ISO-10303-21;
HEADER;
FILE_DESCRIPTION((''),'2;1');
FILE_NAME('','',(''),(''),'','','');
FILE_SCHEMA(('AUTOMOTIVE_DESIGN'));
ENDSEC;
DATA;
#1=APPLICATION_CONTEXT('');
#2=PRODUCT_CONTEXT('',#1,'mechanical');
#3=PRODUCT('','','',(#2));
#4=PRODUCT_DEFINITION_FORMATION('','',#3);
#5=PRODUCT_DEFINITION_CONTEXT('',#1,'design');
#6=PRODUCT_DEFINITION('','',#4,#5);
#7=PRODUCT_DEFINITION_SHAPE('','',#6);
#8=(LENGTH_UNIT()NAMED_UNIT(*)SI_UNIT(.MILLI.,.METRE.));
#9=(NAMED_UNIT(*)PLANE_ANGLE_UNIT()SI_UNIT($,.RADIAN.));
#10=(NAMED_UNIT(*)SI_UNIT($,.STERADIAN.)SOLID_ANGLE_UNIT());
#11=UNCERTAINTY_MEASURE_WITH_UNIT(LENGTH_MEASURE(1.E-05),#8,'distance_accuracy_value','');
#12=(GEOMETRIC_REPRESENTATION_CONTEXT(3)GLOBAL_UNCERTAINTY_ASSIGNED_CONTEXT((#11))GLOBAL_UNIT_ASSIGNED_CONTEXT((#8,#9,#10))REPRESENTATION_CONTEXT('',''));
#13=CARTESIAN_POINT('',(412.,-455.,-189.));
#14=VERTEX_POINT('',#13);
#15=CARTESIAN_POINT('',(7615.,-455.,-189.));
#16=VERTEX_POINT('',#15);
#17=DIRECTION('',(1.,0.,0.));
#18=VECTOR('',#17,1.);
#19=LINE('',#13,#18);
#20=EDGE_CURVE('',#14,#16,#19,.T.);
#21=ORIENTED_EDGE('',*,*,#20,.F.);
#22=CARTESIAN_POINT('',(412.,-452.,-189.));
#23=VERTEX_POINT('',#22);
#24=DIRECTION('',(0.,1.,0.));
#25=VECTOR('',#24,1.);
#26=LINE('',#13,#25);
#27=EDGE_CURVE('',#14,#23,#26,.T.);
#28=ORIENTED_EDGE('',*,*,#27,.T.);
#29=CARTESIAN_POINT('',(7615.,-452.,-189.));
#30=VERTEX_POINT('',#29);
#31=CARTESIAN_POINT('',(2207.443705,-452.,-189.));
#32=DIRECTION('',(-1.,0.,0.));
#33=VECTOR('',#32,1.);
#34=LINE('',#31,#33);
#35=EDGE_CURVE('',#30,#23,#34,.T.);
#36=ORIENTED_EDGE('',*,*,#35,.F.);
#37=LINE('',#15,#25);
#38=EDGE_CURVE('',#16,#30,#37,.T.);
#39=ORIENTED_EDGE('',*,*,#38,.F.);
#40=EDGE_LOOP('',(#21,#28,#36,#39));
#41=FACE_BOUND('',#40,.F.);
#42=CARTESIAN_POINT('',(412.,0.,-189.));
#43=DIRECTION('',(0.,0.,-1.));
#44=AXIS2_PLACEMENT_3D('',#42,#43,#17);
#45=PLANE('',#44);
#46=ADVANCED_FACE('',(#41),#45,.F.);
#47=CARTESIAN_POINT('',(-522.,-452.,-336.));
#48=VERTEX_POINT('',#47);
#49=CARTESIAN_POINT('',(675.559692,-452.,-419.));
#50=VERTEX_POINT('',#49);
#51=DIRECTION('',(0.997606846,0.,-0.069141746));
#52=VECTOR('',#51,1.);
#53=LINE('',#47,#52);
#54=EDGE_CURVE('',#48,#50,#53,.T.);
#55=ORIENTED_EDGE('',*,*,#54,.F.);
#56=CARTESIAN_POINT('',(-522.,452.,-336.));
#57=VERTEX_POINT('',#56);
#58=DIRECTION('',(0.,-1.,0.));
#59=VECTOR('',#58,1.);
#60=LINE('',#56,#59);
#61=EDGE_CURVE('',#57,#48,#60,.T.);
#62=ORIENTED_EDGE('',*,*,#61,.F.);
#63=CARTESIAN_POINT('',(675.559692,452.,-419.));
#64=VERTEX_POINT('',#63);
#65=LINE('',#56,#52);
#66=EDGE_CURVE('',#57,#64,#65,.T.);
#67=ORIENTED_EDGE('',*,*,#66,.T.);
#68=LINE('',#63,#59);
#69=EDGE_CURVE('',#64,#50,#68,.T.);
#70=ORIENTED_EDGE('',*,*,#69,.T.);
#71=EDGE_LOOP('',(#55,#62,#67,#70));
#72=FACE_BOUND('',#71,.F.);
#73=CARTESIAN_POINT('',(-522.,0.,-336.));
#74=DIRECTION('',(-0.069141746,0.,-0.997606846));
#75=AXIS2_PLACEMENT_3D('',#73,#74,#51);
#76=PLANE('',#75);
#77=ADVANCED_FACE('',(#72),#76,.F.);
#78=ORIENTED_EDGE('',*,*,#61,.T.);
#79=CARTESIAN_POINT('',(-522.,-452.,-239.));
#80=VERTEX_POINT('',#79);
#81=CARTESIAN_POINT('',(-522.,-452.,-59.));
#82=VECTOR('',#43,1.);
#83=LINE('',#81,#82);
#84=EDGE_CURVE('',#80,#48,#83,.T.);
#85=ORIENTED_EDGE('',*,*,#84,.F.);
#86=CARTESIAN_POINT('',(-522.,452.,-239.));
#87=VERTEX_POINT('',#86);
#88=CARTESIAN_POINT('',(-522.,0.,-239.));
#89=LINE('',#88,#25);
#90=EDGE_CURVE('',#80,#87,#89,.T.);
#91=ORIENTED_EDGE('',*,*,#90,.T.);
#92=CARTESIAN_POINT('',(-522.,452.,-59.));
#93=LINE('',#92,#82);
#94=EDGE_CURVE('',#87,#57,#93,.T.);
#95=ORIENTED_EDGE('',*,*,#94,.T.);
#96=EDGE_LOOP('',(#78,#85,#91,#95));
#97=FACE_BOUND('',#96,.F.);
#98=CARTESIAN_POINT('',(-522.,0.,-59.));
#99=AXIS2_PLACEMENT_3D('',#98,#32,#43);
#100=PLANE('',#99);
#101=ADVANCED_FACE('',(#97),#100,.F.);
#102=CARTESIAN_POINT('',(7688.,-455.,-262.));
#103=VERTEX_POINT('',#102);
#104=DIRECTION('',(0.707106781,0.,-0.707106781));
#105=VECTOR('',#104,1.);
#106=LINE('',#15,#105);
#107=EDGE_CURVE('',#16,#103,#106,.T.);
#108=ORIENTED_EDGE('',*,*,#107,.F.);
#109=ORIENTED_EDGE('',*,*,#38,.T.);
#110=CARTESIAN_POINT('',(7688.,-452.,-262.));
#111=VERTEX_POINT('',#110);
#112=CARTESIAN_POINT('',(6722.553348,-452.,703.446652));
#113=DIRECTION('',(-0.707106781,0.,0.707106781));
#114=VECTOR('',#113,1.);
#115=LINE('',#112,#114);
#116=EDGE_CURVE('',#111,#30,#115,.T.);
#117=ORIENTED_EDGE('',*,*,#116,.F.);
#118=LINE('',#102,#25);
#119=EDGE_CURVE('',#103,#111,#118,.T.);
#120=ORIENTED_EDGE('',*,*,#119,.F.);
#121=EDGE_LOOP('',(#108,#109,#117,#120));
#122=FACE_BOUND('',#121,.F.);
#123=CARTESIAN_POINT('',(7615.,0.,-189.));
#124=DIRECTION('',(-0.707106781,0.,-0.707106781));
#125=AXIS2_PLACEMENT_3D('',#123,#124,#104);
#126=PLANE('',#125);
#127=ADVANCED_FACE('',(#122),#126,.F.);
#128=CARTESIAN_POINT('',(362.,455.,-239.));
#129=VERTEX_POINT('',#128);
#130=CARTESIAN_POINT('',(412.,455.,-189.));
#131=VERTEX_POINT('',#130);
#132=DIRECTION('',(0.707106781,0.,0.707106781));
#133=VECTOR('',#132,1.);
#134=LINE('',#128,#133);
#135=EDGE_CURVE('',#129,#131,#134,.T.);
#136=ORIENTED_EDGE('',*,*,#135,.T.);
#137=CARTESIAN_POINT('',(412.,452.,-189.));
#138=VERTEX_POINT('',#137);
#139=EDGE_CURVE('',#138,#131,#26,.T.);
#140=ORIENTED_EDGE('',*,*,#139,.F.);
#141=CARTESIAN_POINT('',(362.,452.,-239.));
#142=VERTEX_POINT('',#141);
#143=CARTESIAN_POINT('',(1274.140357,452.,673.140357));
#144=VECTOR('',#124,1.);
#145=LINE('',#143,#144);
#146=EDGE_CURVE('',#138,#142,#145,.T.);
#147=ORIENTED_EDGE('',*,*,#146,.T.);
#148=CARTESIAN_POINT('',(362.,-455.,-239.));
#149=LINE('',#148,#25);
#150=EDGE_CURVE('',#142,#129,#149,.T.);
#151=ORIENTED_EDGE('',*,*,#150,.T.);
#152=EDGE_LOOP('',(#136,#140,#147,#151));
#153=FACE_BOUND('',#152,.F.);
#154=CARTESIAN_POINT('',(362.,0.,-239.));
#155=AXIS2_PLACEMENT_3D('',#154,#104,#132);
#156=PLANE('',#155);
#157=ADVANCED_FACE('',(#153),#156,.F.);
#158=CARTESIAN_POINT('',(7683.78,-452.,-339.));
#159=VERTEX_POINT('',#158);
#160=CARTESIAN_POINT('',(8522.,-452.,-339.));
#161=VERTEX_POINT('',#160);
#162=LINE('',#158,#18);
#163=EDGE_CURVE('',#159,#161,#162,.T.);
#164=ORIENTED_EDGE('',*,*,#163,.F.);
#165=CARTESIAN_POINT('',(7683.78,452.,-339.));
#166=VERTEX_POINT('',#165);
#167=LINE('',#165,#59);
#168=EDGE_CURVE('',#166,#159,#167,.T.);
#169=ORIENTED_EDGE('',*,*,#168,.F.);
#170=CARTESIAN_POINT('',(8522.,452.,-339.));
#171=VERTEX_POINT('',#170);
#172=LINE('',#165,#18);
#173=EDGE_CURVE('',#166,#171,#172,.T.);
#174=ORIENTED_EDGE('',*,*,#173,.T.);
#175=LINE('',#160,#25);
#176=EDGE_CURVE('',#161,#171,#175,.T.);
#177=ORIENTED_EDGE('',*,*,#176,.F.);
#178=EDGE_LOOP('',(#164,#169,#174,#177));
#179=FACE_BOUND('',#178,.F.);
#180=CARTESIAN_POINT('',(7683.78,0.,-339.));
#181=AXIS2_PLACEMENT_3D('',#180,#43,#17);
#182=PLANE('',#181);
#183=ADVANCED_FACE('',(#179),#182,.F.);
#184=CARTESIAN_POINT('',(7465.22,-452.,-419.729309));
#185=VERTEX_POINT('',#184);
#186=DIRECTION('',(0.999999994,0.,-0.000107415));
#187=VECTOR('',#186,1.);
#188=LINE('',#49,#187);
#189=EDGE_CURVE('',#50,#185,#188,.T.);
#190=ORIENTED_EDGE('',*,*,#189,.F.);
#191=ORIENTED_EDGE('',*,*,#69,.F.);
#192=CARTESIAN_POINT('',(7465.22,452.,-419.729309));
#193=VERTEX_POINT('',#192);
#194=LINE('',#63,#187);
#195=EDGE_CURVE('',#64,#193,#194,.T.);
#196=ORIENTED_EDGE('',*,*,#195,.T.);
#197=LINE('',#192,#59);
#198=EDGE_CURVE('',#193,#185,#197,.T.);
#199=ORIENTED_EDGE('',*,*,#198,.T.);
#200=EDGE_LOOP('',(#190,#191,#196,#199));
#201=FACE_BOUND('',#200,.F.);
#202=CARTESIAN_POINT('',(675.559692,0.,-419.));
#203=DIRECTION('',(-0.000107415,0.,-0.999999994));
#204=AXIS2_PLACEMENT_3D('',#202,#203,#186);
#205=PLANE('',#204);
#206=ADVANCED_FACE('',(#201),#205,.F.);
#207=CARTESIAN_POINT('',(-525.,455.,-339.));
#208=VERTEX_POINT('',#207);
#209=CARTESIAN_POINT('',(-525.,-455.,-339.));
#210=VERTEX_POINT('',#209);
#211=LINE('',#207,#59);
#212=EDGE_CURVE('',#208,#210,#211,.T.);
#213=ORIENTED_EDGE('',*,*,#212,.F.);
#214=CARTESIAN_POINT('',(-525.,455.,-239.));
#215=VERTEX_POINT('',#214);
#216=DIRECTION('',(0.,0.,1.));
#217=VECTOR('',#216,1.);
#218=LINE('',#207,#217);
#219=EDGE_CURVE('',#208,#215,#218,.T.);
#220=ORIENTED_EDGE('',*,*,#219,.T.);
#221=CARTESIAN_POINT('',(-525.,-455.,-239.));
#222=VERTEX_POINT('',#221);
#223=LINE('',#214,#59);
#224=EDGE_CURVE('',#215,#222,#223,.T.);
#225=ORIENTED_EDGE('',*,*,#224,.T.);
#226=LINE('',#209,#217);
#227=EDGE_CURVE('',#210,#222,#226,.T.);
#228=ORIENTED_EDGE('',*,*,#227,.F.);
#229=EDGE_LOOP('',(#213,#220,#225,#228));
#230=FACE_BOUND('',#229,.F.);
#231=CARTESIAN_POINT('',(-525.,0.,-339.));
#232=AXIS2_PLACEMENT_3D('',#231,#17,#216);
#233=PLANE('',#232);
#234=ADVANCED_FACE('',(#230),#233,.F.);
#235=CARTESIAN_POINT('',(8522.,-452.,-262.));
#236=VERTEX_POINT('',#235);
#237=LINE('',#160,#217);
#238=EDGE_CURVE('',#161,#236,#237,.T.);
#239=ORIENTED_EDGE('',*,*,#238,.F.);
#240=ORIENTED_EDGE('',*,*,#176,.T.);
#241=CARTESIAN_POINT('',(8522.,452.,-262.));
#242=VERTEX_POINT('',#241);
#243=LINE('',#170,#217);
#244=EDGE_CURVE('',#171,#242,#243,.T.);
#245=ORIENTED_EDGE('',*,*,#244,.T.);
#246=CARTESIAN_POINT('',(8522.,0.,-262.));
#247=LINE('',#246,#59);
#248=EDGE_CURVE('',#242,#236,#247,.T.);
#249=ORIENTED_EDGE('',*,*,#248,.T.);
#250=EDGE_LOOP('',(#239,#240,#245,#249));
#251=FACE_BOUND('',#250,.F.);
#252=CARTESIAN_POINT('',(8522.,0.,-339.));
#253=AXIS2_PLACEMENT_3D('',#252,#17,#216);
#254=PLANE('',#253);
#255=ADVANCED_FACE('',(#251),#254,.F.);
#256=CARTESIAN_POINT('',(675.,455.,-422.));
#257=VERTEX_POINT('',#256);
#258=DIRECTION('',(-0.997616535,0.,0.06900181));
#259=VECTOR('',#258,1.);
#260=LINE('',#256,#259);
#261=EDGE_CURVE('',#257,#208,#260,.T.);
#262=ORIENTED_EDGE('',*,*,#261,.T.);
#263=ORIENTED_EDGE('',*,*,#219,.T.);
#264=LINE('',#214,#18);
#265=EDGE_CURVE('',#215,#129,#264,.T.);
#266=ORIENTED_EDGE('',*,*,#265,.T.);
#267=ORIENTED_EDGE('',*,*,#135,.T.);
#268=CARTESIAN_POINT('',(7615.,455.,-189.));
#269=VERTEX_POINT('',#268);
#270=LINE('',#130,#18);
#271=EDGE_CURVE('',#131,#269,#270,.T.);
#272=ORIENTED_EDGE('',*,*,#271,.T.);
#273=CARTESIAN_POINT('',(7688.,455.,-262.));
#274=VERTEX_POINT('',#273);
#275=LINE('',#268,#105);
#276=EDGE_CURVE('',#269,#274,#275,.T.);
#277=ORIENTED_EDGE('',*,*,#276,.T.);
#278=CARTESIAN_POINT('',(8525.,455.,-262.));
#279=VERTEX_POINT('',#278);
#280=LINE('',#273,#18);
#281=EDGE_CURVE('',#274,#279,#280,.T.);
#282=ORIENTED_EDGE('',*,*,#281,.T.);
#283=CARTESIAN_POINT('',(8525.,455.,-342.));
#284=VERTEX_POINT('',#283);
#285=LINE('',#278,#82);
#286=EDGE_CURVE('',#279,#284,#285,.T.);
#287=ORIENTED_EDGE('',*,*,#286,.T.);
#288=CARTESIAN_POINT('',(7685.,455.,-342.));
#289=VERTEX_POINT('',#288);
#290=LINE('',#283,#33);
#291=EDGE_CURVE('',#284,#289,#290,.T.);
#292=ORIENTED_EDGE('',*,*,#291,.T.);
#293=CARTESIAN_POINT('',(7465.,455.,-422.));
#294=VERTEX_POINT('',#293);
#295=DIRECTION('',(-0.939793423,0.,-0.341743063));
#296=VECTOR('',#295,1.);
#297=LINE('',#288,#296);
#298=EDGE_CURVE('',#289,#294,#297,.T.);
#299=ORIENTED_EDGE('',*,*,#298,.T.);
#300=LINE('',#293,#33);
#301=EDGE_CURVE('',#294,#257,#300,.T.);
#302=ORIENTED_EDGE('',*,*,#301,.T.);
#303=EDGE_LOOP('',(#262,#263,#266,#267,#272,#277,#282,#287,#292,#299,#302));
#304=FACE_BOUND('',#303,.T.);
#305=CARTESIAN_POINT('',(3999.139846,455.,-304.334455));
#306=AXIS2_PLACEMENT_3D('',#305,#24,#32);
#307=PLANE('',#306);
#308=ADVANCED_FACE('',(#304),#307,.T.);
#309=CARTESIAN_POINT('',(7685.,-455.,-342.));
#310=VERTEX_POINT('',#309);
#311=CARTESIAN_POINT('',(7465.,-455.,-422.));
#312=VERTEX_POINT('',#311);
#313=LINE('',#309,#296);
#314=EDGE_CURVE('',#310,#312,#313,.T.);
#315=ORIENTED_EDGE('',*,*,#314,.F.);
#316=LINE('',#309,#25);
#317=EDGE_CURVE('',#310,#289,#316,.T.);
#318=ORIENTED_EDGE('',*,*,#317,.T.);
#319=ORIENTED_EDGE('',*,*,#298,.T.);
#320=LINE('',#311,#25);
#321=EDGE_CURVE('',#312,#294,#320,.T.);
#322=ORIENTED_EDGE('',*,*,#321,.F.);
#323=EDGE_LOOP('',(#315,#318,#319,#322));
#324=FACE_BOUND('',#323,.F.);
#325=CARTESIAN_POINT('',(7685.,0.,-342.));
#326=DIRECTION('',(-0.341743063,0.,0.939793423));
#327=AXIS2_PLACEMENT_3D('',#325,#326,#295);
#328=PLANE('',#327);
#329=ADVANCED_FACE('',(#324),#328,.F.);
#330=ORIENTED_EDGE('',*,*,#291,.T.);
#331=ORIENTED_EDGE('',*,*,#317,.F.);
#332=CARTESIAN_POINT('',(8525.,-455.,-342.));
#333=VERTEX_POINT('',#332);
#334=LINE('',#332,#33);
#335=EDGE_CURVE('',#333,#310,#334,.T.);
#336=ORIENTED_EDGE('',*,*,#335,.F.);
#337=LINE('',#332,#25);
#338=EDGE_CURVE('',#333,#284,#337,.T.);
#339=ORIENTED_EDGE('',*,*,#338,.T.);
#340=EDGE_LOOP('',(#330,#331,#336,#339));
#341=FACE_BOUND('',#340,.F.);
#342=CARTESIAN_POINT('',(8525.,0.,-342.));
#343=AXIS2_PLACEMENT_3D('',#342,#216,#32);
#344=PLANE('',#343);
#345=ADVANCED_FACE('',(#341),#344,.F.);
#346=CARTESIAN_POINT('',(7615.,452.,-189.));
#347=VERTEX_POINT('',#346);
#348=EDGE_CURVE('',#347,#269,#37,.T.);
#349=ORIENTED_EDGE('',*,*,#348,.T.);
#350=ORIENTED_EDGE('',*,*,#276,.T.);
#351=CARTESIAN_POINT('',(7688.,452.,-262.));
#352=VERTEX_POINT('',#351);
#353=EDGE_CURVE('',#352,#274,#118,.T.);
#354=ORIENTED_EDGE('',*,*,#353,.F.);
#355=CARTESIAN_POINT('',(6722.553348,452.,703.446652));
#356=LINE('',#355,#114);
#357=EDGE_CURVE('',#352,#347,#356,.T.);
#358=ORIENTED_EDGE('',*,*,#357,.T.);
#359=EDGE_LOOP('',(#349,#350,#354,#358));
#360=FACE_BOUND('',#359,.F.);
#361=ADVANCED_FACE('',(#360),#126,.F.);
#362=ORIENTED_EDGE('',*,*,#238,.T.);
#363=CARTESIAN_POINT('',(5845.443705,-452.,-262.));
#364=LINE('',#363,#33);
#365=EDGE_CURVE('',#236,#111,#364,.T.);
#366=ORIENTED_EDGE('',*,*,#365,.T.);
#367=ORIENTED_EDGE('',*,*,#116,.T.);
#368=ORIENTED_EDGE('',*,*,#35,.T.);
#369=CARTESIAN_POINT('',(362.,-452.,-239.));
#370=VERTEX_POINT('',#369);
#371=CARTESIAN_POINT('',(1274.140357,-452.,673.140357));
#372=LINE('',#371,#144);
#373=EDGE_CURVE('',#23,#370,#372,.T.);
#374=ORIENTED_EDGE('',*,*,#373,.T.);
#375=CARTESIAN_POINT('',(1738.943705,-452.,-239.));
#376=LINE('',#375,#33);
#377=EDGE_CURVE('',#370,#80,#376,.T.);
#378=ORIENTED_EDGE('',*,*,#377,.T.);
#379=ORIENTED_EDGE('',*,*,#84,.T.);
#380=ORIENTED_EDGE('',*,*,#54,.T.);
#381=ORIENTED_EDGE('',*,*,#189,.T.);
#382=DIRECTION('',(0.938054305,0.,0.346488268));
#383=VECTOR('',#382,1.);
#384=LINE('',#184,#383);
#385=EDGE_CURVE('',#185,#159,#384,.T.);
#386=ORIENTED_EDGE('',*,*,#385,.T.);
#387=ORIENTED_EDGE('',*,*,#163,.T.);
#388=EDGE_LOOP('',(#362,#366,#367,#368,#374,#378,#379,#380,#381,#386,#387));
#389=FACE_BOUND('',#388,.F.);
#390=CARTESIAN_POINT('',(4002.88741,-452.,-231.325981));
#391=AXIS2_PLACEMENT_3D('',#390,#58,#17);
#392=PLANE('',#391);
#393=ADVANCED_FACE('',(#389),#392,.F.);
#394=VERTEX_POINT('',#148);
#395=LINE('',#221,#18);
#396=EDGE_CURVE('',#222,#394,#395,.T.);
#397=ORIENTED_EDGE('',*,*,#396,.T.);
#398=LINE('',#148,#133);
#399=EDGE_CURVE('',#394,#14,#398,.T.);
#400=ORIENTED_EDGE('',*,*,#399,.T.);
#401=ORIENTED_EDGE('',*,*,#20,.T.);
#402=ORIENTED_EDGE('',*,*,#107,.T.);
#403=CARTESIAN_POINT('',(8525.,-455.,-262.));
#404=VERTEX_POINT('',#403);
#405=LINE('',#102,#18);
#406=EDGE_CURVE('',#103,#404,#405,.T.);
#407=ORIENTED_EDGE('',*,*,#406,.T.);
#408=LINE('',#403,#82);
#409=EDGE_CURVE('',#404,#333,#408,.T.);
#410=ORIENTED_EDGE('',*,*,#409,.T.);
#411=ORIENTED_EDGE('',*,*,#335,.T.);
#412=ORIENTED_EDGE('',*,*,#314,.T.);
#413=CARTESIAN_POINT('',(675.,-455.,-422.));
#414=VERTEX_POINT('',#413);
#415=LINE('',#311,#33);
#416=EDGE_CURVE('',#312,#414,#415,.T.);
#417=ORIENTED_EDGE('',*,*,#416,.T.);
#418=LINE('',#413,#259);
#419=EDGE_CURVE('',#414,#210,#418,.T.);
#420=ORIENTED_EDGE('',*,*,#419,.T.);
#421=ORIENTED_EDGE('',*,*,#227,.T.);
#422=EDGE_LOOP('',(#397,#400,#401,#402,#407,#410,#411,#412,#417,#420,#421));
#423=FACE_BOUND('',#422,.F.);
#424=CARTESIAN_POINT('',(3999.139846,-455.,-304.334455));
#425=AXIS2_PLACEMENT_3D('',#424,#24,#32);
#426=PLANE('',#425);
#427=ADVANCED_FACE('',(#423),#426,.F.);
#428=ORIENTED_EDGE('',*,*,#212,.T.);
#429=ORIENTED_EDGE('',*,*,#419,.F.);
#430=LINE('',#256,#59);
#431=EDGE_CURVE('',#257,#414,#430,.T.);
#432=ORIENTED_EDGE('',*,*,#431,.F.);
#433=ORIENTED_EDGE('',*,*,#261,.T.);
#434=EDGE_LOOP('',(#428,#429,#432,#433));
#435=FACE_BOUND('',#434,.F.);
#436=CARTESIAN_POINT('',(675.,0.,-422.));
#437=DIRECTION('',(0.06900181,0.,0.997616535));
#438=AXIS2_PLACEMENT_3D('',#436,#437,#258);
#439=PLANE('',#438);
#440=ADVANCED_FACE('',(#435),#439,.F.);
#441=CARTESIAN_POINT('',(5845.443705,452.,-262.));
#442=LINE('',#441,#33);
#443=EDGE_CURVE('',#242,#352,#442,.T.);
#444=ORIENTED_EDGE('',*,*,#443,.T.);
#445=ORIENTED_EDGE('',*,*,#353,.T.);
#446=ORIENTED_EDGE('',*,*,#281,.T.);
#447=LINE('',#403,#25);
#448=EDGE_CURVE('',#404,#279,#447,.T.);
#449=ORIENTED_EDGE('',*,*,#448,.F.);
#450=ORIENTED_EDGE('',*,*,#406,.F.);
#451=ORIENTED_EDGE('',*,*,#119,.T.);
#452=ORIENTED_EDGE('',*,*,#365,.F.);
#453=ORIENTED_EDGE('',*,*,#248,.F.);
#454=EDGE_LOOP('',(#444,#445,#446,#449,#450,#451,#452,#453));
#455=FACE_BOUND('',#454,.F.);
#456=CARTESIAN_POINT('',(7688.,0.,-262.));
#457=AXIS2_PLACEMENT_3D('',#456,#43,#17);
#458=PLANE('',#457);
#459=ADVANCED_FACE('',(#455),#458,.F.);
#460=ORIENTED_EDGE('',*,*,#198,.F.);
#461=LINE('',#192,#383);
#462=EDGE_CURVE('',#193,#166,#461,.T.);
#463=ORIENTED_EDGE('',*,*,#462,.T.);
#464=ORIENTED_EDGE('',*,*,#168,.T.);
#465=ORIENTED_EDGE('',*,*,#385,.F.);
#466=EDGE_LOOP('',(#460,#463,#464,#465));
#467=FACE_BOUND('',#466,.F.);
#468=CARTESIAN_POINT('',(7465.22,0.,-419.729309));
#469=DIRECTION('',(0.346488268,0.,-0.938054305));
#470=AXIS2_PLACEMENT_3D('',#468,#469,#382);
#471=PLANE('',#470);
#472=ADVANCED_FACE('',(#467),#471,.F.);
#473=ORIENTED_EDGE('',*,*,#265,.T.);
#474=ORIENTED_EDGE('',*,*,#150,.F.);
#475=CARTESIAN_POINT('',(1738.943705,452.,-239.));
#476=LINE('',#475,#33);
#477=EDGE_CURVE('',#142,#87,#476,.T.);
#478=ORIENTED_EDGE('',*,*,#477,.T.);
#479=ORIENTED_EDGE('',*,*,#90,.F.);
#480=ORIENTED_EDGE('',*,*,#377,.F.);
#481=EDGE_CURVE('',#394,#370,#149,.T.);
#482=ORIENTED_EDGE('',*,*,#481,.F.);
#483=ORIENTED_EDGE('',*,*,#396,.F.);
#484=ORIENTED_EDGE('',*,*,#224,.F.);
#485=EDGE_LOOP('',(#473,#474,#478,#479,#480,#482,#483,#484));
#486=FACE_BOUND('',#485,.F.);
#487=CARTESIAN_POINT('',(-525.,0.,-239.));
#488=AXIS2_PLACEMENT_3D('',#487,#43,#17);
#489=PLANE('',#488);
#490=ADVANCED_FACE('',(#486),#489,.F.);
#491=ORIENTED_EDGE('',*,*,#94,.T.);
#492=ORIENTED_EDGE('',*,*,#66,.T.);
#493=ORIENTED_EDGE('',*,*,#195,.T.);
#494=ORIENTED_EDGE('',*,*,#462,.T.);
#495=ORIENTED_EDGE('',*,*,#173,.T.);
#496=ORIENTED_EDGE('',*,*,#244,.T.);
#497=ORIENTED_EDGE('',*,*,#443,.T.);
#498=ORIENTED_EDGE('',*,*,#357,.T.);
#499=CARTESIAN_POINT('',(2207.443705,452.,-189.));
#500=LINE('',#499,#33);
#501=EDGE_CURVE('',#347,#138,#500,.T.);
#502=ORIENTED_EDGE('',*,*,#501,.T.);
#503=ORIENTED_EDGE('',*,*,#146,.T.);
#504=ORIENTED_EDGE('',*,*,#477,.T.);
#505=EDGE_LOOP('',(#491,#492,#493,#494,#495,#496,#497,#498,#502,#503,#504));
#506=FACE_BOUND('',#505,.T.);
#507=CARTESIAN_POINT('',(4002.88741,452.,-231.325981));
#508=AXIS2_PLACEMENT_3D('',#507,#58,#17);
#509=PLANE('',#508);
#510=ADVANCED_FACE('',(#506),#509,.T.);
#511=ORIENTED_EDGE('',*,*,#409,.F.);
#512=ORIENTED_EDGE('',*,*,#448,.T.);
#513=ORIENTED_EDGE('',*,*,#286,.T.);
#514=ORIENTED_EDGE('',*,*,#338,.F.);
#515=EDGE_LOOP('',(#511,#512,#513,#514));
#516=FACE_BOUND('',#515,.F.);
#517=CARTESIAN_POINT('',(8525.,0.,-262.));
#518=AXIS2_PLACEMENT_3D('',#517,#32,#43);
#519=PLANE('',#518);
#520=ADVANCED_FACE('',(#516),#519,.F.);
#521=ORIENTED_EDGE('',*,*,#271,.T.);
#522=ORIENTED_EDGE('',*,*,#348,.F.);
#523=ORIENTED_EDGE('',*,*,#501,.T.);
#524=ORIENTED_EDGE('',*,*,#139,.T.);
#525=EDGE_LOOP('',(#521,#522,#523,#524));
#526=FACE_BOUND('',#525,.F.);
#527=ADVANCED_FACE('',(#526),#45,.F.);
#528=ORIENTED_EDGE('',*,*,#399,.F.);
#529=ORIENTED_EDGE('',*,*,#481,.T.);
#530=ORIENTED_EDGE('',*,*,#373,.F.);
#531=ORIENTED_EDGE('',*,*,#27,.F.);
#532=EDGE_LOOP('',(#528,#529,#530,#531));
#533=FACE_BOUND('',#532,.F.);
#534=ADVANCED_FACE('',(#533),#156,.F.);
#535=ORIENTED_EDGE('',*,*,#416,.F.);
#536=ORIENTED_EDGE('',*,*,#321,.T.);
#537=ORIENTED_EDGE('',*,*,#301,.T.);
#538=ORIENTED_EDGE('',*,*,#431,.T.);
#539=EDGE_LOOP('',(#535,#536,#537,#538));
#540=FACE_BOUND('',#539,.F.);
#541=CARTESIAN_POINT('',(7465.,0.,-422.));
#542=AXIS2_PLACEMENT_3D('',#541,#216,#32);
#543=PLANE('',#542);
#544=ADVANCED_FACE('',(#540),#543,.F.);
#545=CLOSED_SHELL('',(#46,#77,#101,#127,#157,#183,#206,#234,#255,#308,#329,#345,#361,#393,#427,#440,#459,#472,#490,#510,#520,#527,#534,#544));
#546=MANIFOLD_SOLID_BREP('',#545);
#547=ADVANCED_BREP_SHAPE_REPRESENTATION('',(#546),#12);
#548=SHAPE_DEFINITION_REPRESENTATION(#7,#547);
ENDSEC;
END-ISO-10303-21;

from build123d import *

# Parameters (mm, degrees)
EXTRUDE031_DEPTH = 452
EXTRUDE027_DEPTH = 455


with BuildPart() as extrude031:
    # Sketch042 → Extrude031 (new body, symmetric)
    with BuildSketch(Plane.XZ):
        Polygon((-522, -59), (-522, -336), (675.559692, -419), (7465.22, -419.729309), (7683.78, -339), (8522, -339), (8522, -59), align=None)
    extrude(amount=EXTRUDE031_DEPTH, both=True)


with BuildPart() as cut005:
    # Sketch029 → Extrude027 (new body, symmetric)
    with BuildSketch(Plane.XZ):
        Polygon((-525, -239), (362, -239), (412, -189), (7615, -189), (7688, -262), (8525, -262), (8525, -342), (7685, -342), (7465, -422), (675, -422), (-525, -339), align=None)
    extrude(amount=EXTRUDE027_DEPTH, both=True)

    # Cut005: cut Extrude031
    add(extrude031.part, mode=Mode.SUBTRACT)


solid = cut005.part
